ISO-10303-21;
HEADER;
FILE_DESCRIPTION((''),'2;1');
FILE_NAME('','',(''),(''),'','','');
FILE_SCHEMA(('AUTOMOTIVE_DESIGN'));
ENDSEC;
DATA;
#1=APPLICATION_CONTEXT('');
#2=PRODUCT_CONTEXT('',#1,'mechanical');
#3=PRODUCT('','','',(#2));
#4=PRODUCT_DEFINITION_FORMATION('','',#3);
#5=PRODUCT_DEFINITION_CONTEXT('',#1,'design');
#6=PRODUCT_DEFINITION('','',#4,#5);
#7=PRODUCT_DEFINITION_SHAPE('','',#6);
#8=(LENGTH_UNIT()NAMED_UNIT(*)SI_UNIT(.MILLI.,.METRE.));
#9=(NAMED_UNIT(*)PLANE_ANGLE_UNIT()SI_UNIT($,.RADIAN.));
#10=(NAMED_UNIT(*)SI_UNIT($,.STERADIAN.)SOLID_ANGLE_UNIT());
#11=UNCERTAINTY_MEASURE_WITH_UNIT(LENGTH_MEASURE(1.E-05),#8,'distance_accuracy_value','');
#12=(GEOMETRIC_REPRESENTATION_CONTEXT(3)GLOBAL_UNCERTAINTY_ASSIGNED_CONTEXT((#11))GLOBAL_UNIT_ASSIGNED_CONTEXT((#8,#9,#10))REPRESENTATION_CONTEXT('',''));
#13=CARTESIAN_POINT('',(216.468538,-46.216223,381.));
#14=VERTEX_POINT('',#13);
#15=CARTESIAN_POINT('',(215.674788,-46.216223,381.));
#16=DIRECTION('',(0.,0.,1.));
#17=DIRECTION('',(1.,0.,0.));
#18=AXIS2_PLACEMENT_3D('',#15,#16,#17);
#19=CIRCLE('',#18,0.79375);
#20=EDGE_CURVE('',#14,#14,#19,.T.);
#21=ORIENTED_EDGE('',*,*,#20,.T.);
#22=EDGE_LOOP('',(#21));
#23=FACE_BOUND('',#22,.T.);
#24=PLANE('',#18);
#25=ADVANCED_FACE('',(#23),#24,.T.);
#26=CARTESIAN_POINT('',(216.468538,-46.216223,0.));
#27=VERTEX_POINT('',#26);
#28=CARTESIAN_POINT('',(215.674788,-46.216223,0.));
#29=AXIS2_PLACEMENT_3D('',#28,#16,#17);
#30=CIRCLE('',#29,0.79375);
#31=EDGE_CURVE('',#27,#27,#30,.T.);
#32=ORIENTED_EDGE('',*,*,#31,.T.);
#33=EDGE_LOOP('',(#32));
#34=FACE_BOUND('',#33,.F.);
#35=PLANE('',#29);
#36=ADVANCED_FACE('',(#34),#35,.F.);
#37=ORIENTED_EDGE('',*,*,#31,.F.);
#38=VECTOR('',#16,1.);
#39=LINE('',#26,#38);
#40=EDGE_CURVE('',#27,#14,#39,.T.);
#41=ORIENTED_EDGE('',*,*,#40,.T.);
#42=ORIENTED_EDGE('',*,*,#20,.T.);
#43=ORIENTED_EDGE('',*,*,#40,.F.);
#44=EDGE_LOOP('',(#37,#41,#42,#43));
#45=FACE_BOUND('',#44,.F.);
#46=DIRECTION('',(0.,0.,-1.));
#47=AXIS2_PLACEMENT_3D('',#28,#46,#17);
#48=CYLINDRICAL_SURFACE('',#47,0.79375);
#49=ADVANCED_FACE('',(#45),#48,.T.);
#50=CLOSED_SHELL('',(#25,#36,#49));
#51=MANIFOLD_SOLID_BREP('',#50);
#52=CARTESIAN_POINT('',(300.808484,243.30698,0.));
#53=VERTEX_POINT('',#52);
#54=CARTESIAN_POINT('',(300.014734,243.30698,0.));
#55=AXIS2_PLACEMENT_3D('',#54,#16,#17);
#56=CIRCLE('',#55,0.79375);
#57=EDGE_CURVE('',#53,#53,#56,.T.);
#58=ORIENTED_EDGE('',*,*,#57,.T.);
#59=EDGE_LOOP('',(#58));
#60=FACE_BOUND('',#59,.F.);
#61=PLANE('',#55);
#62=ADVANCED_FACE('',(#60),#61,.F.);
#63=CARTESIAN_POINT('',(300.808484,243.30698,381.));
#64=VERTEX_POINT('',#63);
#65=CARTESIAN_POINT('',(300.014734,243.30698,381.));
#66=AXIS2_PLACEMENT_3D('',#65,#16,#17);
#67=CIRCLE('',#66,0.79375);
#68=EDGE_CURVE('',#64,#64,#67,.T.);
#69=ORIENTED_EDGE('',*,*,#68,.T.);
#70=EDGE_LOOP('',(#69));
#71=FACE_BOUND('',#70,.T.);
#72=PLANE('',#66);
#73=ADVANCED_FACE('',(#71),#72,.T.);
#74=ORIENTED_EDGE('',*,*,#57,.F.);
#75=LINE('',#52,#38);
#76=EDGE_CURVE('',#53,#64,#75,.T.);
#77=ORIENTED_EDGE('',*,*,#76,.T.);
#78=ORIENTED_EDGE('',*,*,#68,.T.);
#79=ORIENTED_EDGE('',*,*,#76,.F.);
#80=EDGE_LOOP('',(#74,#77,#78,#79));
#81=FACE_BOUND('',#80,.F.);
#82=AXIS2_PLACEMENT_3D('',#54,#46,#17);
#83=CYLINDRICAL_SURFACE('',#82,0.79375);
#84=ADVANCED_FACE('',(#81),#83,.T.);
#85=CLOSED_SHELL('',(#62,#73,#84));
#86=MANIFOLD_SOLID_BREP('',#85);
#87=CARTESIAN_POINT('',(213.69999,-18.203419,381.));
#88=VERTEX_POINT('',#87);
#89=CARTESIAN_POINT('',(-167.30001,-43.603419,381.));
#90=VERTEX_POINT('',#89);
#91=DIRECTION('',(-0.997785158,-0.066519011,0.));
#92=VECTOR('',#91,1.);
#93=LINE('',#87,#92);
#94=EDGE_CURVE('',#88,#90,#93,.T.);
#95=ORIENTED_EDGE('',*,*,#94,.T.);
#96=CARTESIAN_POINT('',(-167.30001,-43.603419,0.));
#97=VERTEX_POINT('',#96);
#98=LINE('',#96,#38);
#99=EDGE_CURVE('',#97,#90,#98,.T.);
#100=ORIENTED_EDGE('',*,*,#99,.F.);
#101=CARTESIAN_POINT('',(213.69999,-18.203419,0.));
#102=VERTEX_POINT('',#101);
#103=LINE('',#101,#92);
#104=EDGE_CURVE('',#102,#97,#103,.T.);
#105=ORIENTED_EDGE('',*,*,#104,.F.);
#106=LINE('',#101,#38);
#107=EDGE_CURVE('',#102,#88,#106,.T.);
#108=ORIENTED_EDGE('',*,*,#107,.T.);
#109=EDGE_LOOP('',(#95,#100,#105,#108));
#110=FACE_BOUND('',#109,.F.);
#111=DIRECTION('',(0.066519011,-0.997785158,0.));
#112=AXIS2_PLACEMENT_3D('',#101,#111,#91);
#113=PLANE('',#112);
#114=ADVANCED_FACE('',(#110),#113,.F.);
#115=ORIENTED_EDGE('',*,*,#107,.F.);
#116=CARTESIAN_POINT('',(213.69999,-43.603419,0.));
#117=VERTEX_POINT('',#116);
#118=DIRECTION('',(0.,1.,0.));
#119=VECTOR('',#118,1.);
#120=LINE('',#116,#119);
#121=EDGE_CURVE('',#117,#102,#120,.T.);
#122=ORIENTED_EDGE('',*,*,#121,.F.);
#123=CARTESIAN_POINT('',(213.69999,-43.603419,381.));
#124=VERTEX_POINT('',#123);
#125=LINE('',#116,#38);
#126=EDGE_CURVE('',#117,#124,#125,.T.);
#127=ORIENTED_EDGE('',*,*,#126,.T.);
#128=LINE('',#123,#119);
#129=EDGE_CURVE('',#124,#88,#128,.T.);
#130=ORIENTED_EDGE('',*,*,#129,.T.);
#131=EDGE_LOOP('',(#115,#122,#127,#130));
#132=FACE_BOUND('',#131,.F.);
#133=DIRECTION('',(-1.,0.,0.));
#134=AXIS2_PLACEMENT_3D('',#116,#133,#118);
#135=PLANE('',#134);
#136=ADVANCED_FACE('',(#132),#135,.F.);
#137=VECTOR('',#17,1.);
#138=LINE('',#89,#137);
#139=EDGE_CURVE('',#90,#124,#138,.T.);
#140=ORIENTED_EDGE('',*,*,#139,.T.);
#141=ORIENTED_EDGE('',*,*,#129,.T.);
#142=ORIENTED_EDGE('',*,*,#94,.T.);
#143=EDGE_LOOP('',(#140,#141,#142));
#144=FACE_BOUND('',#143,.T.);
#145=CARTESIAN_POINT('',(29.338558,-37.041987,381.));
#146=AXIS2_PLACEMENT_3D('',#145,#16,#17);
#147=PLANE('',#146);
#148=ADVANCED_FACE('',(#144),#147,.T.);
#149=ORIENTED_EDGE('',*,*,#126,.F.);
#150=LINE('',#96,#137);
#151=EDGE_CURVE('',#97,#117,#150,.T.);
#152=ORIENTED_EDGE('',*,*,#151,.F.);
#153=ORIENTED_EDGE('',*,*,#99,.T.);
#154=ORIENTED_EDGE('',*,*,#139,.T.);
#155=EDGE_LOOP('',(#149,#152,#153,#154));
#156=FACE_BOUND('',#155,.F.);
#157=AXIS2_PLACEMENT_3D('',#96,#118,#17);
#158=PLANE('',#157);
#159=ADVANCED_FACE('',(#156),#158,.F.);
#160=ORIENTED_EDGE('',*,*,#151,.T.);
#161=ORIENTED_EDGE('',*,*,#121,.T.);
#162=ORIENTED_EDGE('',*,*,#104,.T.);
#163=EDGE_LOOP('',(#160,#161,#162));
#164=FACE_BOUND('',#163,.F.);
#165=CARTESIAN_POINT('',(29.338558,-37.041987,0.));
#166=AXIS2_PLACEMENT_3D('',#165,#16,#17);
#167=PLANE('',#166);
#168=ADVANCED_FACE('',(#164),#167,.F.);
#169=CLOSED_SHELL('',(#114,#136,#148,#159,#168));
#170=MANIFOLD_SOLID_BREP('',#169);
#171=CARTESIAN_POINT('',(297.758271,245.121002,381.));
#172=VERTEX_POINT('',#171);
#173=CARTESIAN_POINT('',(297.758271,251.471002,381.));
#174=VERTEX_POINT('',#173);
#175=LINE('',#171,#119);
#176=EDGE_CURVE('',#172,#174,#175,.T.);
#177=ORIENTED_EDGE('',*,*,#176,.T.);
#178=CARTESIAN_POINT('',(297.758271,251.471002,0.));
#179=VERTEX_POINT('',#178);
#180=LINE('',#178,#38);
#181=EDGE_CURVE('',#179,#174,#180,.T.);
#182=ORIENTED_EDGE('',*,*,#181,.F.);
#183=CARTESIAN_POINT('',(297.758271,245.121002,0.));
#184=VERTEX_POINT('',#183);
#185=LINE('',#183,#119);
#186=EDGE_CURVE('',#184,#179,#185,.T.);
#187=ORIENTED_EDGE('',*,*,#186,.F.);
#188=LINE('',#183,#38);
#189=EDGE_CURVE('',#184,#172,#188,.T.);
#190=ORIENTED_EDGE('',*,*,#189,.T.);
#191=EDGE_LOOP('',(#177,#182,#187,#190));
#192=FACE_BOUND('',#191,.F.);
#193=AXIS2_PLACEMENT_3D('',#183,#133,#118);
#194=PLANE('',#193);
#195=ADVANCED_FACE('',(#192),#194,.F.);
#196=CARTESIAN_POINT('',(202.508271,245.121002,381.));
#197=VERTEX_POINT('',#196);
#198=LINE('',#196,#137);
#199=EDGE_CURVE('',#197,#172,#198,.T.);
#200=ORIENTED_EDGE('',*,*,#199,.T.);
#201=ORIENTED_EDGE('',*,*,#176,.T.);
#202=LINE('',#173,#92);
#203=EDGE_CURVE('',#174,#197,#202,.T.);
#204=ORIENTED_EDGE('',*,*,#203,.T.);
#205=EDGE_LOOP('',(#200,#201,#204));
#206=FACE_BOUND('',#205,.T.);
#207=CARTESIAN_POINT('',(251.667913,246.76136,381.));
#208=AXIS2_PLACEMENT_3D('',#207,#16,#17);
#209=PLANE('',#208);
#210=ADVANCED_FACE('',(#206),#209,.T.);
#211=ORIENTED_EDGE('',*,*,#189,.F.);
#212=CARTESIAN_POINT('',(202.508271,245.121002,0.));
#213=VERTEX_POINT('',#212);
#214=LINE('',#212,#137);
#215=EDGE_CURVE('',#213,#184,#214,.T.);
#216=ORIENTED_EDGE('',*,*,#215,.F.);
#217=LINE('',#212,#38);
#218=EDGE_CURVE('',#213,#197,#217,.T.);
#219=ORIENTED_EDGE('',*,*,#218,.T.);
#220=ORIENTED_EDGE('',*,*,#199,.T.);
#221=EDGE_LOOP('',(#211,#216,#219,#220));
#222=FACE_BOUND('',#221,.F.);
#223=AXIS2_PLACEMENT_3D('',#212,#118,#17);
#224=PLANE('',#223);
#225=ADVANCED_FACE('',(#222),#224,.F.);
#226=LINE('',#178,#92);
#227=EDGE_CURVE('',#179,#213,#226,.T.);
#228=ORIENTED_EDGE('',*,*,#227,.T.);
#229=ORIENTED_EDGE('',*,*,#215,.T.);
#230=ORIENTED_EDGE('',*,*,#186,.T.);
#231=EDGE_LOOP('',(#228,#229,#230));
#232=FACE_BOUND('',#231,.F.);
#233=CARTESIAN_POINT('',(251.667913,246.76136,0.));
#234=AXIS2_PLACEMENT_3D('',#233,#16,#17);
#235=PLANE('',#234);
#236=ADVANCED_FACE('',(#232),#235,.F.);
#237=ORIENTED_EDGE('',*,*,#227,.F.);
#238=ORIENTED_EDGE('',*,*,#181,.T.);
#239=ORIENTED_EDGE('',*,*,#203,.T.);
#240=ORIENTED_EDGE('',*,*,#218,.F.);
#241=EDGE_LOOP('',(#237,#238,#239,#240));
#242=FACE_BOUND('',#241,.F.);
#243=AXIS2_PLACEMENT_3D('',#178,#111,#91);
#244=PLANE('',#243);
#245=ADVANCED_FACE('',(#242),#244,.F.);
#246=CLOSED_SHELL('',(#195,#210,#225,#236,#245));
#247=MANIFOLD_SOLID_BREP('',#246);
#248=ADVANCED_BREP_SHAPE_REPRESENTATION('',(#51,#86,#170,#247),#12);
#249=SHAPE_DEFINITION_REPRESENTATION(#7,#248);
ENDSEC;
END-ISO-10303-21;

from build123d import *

# Parameters (mm, degrees)
F0_R     = 0.79375
F1_DEPTH = 381


with BuildPart() as f1:
    # F0 (on Top) → F1 (new body)
    with BuildSketch(Plane.XY):
        Polygon((213.69999, -18.203419), (-167.30001, -43.603419), (213.69999, -43.603419), align=None)
        Polygon((297.758271, 251.471002), (202.508271, 245.121002), (297.758271, 245.121002), align=None)
        with Locations((215.674788, -46.216223)):
            Circle(F0_R)
        with Locations((300.014734, 243.30698)):
            Circle(F0_R)
    extrude(amount=F1_DEPTH)


solid = f1.part
